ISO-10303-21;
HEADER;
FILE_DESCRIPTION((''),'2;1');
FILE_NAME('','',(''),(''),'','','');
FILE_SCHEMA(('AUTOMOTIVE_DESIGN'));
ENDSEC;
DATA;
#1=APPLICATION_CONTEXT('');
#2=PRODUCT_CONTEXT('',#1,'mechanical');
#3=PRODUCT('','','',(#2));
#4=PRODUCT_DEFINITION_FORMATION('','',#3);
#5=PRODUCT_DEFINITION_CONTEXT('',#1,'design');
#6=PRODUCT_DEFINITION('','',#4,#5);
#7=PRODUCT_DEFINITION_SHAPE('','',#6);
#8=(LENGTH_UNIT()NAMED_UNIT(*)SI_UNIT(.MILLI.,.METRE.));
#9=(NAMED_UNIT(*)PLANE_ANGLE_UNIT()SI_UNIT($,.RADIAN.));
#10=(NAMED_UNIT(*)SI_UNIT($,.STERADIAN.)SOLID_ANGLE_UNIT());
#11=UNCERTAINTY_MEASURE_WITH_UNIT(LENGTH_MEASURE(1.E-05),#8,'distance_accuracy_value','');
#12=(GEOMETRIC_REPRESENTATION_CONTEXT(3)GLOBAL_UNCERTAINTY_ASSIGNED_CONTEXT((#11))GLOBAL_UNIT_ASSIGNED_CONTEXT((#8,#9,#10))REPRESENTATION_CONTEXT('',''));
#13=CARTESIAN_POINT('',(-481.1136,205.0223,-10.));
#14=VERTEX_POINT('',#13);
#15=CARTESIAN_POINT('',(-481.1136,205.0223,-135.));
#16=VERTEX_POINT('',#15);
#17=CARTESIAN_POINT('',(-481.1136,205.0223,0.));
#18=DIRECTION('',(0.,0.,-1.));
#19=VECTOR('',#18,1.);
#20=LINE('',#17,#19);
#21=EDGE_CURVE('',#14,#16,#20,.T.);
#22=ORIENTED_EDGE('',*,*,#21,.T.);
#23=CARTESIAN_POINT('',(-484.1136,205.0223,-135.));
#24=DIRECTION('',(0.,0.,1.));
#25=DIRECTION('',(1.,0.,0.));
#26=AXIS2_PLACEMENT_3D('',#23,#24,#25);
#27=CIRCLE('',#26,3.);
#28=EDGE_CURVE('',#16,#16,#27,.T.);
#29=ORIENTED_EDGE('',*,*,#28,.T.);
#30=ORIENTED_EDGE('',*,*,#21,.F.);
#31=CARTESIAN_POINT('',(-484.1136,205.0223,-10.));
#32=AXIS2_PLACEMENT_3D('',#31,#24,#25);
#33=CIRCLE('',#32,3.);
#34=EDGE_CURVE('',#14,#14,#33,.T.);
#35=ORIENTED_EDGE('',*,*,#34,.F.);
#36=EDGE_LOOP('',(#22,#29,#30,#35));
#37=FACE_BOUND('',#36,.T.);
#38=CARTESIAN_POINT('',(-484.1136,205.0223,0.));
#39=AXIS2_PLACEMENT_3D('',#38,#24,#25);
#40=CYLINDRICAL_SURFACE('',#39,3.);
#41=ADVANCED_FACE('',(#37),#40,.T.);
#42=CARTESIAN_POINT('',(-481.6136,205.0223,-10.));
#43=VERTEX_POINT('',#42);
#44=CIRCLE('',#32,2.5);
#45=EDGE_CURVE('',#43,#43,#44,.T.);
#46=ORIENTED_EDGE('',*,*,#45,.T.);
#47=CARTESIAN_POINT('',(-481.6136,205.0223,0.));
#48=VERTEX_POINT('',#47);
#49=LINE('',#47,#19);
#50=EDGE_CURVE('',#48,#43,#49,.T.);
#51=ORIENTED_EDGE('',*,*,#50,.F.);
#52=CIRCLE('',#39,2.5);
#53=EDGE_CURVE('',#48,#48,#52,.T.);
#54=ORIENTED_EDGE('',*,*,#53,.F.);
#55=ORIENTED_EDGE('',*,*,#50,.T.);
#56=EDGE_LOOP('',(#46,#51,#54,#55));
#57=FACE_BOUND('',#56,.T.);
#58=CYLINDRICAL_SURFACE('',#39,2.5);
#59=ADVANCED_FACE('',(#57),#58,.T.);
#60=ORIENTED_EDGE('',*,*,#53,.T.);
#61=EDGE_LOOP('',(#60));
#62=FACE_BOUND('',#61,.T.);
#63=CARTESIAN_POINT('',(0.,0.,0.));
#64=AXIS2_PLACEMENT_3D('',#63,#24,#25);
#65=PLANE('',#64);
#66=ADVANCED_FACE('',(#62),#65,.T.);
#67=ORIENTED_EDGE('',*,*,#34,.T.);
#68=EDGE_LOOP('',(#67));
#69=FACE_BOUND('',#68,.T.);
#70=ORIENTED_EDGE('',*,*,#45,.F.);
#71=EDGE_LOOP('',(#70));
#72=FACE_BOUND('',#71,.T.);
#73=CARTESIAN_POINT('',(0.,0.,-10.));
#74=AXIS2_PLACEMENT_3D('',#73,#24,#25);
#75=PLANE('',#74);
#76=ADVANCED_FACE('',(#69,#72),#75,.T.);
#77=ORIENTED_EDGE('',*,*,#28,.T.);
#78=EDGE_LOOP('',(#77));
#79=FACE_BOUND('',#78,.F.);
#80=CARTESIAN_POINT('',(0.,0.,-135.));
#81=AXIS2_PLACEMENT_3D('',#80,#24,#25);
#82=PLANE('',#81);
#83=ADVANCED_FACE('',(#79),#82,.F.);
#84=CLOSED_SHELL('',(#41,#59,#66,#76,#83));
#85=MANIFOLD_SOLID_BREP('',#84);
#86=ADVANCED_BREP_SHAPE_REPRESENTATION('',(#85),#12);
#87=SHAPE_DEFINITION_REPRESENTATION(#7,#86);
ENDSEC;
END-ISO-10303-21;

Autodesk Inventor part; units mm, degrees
ref_plane "YZ Plane" through (0, 0, 0) normal (1, 0, 0) x (0, 1, 0)
ref_plane "XZ Plane" through (0, 0, 0) normal (0, 1, 0) x (-1, 0, 0)
ref_plane "XY Plane" through (0, 0, 0) normal (0, 0, 1) x (1, 0, 0)
sketch "Sketch1" plane through (0, 0, 0) normal (0, 0, 1) x (1, 0, 0)
  circle A0 centre (-484.1136, 205.0223) radius 3
  circle A1 centre (-484.1136, 205.0223) radius 2.5
  point P0 (0, 0)
extrude "Extrusion1" add sketch "Sketch1" against normal blind 135 contours A0 | A1
extrude "Extrusion2" cut sketch "Sketch1" against normal blind 10
properties part number "tija filet" material "Aluminum 6061-AHC"
